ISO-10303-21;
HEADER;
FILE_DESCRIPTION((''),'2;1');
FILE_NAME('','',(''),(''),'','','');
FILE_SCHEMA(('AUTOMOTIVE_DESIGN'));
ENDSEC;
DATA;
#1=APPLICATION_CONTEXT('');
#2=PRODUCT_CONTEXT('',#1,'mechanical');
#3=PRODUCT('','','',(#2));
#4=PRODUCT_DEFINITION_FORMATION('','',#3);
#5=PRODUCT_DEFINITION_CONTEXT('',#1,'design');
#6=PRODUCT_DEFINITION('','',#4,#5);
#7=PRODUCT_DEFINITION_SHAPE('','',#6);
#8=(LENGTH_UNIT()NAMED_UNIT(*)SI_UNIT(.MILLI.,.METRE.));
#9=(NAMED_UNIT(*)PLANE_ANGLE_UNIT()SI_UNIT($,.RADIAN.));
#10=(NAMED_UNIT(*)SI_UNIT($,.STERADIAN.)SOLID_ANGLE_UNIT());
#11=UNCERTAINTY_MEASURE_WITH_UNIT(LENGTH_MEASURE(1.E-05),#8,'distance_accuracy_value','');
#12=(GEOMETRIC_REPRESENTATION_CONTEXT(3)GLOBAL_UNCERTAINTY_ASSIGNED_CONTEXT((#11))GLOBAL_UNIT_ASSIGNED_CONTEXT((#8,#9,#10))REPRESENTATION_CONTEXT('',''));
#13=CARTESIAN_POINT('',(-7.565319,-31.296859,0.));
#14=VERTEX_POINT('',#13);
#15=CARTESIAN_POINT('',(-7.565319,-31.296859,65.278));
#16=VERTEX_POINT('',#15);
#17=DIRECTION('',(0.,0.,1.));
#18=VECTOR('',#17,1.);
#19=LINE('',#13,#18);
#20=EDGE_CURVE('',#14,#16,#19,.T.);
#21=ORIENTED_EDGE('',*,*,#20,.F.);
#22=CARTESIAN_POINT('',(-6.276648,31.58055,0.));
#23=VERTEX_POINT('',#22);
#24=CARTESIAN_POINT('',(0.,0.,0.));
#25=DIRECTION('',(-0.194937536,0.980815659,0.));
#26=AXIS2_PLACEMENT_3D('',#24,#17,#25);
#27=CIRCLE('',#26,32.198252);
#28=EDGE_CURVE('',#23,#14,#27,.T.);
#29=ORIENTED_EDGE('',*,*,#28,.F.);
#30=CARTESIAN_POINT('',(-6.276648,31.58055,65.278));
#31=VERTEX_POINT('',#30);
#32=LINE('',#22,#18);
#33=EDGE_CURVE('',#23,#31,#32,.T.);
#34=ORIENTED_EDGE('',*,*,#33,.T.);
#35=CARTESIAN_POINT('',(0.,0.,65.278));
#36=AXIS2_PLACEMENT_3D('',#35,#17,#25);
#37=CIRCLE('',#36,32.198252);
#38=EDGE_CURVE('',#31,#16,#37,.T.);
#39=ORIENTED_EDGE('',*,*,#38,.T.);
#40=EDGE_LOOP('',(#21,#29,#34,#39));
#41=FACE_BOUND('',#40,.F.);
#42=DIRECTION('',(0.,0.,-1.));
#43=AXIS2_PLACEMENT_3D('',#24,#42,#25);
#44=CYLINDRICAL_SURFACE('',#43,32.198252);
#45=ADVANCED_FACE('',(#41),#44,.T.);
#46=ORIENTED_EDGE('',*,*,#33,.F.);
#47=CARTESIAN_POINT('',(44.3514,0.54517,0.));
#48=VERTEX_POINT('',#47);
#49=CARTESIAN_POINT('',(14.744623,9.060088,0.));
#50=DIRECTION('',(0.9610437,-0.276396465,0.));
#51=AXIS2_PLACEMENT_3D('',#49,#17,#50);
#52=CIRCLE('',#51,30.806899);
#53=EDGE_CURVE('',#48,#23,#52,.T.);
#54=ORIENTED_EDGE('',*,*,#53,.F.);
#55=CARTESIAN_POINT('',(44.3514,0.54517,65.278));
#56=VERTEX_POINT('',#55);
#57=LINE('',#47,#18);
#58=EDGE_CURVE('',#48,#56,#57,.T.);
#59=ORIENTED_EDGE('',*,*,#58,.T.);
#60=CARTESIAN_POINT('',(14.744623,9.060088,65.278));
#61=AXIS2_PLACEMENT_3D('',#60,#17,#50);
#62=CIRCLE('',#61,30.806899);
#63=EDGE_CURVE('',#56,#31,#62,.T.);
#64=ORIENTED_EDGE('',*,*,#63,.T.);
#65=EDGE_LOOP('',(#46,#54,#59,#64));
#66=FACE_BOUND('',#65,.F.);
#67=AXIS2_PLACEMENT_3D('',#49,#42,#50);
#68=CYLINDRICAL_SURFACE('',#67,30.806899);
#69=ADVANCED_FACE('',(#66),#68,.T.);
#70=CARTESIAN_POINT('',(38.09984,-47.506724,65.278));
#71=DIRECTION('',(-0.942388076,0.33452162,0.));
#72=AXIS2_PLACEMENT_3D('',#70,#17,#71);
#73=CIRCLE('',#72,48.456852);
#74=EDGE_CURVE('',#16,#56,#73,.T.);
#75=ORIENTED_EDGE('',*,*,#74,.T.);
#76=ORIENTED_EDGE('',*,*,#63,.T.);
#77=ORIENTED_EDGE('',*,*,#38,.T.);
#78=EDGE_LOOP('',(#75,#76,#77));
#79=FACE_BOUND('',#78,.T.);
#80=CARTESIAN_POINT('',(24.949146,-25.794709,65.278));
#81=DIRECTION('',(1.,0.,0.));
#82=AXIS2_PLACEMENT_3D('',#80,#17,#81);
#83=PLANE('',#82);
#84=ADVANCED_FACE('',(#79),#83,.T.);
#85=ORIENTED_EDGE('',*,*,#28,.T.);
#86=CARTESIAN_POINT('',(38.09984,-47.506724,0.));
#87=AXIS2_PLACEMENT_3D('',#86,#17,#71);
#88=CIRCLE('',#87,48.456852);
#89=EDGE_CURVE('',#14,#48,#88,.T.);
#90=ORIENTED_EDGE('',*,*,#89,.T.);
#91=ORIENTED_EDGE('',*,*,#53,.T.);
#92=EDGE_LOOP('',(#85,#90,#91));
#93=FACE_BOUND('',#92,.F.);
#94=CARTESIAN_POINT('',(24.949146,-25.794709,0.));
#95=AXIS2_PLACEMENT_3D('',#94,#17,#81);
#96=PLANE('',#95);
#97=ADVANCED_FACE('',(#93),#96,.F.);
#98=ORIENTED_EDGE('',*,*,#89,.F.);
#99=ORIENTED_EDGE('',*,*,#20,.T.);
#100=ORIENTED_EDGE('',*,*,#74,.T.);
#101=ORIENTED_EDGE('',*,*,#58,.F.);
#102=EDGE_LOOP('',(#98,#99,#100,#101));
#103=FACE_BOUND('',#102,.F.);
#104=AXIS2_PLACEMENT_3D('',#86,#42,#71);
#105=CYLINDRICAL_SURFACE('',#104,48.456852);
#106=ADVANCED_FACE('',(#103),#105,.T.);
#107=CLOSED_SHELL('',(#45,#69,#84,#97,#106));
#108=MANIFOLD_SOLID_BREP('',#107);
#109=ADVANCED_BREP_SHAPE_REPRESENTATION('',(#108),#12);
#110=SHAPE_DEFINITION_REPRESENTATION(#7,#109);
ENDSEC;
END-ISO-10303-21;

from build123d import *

# Parameters (mm, degrees)
F1_DEPTH = 65.278


with BuildPart() as f1:
    # F0 (on Top) → F1 (new body)
    with BuildSketch(Plane.XY):
        with BuildLine():
            ThreePointArc((44.3514, 0.54517), (30.845134, 35.324867), (-6.276648, 31.58055))
            ThreePointArc((-6.276648, 31.58055), (-32.191492, 0.659764), (-7.565319, -31.296859))
            ThreePointArc((-7.565319, -31.296859), (63.434336, -88.813258), (44.3514, 0.54517))
        make_face()
    extrude(amount=F1_DEPTH)


solid = f1.part
